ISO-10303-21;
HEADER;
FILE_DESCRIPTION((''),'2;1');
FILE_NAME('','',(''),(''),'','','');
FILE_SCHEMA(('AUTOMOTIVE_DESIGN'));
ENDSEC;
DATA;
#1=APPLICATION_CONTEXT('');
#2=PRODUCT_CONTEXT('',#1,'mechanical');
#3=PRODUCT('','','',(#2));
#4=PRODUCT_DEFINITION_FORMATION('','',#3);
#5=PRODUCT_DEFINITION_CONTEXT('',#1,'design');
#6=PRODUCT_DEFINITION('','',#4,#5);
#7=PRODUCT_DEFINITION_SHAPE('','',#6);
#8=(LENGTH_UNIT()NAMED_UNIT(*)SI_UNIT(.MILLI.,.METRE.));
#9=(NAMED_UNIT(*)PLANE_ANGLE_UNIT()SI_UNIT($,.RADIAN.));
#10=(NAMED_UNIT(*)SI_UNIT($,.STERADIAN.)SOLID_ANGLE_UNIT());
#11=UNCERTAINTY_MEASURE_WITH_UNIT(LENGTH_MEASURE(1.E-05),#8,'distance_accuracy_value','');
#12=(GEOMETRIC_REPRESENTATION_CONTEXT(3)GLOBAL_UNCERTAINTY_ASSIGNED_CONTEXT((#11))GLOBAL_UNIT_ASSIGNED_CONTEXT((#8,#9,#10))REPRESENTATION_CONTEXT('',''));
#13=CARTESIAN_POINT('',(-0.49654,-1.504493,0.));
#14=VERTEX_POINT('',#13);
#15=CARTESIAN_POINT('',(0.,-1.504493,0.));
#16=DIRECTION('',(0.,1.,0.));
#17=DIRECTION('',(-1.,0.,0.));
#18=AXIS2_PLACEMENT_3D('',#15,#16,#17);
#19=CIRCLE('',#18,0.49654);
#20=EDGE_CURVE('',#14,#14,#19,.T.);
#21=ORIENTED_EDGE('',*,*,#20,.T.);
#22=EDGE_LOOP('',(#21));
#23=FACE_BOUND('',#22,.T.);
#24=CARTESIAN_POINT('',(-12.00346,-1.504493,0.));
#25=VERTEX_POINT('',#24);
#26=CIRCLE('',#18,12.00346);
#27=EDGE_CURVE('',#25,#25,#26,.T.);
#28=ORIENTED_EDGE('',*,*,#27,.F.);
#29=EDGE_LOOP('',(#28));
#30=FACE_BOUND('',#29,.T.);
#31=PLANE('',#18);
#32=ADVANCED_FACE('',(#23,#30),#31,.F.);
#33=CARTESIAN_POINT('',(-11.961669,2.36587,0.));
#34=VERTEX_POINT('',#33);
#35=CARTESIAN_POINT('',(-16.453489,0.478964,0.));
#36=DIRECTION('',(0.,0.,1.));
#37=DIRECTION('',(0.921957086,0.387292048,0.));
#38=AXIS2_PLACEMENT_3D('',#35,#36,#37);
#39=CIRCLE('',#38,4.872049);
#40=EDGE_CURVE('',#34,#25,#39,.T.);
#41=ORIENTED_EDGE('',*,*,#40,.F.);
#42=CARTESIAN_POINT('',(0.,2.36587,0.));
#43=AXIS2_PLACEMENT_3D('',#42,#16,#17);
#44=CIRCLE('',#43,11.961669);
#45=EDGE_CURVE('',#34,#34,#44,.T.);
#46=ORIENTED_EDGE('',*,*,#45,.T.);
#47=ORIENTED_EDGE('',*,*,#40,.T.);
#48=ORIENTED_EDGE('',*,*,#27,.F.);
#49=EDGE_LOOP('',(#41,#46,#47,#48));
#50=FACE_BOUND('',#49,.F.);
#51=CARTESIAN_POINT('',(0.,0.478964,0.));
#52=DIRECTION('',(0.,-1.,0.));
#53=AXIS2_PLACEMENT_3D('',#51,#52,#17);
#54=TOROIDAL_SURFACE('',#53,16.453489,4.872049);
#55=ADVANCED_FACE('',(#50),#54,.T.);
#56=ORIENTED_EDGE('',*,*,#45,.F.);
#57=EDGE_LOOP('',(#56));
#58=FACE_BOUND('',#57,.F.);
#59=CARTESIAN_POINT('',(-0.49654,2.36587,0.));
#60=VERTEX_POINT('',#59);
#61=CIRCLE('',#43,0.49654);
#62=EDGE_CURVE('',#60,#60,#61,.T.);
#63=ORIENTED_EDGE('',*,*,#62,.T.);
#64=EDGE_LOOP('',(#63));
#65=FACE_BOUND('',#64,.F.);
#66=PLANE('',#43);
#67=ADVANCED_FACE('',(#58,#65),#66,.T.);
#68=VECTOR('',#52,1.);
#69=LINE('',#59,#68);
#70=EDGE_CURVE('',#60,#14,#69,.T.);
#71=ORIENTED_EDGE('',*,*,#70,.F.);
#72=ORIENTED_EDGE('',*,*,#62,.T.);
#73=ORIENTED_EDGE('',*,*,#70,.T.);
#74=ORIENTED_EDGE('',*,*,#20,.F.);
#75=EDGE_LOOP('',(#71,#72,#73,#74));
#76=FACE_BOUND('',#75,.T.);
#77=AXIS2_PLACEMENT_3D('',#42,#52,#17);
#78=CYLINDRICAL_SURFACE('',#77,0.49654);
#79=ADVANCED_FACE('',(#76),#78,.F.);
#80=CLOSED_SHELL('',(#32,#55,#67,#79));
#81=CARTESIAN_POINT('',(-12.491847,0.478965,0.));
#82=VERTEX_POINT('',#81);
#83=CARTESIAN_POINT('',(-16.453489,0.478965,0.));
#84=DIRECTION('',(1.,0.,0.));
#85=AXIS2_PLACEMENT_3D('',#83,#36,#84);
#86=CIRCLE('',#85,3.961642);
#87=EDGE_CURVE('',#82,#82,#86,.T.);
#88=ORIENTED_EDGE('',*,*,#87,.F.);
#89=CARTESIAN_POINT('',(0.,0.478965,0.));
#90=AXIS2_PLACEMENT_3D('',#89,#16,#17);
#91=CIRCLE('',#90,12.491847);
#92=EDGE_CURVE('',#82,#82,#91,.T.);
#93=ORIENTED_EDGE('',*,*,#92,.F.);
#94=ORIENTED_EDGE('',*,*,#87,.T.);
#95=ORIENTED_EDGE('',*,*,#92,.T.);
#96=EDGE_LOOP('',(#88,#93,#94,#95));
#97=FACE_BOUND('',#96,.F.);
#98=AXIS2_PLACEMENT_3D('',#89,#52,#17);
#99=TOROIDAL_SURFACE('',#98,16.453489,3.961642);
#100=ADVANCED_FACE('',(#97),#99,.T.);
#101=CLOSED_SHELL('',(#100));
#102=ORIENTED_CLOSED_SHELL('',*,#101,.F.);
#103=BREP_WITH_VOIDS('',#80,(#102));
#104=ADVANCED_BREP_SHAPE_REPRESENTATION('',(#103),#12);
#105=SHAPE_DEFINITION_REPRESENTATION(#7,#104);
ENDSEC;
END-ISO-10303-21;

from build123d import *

# Parameters (mm, degrees)
SKETCH002_R = 3.961642


with BuildPart() as part:
    # Sketch002 → Revolution (revolve)
    with BuildSketch(Plane.XY):
        with BuildLine():
            Line((-0.49654, 2.36587), (-0.49654, -1.504493))
            Line((-0.49654, -1.504493), (-12.00346, -1.504493))
            ThreePointArc((-11.961669, 2.36587), (-21.325254, 0.53157), (-12.00346, -1.504493))
            Line((-0.49654, 2.36587), (-11.961669, 2.36587))
        make_face()
        with Locations((-16.453489, 0.478965)):
            Circle(SKETCH002_R, mode=Mode.SUBTRACT)
    revolve(axis=Axis((0, 0, 0), (0, 1, 0)))


solid = part.part
